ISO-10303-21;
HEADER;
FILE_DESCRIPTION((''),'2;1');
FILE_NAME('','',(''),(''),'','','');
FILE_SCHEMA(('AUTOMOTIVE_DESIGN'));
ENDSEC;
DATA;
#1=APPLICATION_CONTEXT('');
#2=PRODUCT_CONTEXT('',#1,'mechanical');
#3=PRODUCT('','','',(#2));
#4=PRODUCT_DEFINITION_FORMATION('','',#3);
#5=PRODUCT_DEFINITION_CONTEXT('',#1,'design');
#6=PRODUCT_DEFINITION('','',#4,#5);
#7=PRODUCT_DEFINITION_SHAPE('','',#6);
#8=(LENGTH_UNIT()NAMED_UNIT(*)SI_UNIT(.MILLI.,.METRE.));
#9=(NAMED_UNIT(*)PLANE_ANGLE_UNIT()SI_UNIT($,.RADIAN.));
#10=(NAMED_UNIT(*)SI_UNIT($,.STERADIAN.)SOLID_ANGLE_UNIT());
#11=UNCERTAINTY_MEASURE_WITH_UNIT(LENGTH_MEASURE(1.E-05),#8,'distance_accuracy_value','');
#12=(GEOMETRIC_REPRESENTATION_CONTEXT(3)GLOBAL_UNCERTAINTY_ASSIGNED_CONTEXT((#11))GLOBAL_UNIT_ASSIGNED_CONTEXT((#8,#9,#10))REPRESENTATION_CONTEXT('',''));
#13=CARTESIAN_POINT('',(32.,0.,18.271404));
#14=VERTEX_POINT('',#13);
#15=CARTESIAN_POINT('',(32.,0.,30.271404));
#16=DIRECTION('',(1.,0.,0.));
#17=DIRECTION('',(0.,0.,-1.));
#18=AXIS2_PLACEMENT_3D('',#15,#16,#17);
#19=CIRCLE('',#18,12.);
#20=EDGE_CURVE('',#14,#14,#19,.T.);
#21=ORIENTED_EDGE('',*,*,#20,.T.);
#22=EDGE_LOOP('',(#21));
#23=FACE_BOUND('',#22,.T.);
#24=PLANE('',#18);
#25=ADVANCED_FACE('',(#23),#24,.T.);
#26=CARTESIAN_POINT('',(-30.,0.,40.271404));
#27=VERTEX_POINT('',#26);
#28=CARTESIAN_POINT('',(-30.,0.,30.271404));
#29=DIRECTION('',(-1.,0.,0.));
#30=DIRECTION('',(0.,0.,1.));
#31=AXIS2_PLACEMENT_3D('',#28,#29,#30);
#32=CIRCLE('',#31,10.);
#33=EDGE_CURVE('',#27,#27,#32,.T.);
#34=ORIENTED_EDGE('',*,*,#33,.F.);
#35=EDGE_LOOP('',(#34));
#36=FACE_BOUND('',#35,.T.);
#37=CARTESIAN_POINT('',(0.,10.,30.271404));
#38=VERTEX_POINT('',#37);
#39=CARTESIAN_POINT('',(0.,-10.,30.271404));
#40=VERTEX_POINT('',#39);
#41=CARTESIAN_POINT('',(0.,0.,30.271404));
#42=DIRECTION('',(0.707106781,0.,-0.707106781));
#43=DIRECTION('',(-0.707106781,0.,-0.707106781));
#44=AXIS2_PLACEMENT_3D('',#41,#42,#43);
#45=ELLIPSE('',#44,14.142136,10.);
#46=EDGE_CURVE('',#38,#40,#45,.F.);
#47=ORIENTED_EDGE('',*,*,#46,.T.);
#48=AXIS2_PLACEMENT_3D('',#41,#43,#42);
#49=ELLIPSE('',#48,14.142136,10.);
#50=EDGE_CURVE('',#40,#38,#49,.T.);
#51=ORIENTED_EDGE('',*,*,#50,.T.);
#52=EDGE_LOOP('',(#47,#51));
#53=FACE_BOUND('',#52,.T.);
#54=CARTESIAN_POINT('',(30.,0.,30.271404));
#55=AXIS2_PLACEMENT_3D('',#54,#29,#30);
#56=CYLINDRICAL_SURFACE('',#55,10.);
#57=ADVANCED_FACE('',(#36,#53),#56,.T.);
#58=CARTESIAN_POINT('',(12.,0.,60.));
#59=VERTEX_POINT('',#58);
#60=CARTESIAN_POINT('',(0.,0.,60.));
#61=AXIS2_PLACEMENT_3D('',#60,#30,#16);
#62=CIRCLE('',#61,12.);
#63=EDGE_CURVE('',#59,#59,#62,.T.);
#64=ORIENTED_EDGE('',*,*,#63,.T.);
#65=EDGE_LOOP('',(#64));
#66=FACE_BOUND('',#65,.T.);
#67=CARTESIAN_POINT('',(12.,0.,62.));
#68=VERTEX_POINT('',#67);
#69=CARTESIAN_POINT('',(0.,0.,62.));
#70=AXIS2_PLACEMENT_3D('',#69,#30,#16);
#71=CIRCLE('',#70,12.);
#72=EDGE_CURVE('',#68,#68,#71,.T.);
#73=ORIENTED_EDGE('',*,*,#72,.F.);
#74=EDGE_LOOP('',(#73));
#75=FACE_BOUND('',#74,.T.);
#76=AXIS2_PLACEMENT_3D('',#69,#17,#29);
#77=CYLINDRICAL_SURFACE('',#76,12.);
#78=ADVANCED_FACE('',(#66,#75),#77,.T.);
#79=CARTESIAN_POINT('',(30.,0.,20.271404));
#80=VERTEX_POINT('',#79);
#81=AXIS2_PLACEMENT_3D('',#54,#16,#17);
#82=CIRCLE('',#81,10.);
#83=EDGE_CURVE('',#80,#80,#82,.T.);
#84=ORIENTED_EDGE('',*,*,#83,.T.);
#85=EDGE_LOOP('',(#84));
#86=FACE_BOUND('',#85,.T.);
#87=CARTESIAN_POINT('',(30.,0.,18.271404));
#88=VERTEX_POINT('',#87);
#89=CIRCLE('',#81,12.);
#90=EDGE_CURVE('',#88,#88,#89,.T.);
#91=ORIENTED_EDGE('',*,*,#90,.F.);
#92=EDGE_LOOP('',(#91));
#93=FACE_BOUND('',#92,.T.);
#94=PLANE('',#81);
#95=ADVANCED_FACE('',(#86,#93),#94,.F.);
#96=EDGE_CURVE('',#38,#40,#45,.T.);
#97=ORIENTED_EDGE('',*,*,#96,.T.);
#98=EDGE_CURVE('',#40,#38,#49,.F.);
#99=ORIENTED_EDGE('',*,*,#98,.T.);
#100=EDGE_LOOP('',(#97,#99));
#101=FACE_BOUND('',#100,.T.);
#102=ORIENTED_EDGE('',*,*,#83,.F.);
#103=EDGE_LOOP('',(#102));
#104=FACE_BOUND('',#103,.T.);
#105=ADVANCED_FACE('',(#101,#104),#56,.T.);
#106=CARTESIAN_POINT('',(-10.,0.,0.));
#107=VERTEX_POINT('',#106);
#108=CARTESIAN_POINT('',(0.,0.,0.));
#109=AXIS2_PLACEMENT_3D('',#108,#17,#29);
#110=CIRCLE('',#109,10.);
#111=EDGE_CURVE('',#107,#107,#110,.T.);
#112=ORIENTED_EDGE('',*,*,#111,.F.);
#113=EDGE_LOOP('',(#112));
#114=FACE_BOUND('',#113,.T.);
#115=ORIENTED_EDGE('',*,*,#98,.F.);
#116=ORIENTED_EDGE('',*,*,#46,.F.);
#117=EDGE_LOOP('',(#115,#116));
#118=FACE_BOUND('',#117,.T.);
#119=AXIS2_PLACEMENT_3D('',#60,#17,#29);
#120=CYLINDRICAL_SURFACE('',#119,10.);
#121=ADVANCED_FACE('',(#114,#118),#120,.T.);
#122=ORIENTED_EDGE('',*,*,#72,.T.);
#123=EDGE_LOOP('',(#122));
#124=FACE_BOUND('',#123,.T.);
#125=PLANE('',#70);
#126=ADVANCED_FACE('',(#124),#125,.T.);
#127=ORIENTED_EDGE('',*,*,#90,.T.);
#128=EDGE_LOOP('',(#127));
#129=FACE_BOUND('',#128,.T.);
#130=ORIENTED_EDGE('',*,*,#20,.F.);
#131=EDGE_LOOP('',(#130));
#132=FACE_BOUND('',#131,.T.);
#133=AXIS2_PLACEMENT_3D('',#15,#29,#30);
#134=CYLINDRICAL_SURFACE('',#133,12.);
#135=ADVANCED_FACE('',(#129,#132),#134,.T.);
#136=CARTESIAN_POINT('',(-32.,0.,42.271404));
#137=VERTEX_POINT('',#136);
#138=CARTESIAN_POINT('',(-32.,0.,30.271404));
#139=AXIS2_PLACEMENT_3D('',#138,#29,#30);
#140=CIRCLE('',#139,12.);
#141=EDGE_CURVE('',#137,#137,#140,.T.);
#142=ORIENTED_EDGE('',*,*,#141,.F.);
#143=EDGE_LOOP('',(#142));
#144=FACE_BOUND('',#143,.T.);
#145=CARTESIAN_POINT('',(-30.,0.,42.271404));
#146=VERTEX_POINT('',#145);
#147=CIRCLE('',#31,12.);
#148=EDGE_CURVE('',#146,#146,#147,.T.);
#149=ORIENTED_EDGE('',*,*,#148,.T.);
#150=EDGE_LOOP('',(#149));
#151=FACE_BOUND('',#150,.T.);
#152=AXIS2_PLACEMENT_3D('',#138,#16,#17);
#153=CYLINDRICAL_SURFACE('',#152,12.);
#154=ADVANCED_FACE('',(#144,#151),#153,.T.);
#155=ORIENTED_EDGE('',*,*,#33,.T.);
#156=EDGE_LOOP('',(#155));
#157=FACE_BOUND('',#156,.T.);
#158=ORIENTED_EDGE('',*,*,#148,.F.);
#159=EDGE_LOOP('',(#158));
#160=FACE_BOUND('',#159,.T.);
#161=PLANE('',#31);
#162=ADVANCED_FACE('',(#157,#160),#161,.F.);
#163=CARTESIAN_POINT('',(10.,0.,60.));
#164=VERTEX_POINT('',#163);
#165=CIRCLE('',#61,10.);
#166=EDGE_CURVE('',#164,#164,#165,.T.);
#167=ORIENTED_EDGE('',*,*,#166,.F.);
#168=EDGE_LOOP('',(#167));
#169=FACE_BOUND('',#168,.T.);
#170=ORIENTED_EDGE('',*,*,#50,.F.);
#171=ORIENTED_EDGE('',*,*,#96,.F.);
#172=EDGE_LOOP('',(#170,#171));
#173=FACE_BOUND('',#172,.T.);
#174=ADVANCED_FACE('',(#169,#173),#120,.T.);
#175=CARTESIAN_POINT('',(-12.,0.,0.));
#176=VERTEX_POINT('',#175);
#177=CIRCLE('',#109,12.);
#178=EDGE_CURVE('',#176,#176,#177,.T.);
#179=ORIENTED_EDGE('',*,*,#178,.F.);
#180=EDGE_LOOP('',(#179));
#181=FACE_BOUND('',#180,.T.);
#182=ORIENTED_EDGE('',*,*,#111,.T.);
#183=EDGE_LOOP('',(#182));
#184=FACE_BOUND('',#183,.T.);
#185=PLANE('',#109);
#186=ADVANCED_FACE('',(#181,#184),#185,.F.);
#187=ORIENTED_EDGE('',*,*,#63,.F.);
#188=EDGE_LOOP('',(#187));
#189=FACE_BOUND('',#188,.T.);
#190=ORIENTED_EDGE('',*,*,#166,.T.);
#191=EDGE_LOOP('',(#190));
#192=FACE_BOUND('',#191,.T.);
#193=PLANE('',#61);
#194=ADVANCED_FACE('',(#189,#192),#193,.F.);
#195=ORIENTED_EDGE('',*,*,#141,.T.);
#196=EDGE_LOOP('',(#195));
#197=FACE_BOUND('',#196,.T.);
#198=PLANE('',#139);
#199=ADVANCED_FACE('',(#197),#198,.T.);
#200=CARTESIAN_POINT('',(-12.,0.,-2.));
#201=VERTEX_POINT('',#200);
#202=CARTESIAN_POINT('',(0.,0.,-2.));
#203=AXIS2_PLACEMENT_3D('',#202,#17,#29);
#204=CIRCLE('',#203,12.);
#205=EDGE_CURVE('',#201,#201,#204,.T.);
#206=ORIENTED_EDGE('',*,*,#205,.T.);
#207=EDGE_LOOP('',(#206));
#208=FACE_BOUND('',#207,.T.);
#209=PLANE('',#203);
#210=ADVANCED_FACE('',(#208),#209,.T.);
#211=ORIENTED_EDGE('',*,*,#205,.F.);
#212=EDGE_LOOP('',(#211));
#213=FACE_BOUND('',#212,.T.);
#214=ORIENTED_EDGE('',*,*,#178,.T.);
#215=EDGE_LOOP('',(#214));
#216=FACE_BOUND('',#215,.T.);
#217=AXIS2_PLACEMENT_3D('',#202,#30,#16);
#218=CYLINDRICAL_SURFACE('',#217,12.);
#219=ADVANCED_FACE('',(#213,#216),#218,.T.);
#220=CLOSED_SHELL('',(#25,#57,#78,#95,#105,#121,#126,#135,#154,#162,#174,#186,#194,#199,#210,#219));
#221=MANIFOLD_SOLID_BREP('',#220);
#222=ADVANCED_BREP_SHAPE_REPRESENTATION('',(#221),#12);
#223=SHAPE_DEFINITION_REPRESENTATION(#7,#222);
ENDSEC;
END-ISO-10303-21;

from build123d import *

# Parameters (mm, degrees)
SKETCH1_R           = 10
BOSS_EXTRUDE1_DEPTH = 60
SKETCH2_R           = 12
BOSS_EXTRUDE2_DEPTH = 2
BOSS_EXTRUDE3_START = 2
SKETCH3_R           = 12
BOSS_EXTRUDE3_DEPTH = 2
SKETCH4_R           = 10
BOSS_EXTRUDE4_DEPTH = 30
SKETCH5_R           = 12
BOSS_EXTRUDE5_DEPTH = 2
BOSS_EXTRUDE6_START = 2
SKETCH6_R           = 12
BOSS_EXTRUDE6_DEPTH = 2


with BuildPart() as part:
    # Sketch1 → Boss-Extrude1 (new body)
    with BuildSketch(Plane.XY):
        Circle(SKETCH1_R)
    extrude(amount=BOSS_EXTRUDE1_DEPTH)

    # Sketch2 → Boss-Extrude2 (add)
    with BuildSketch(Plane.XY.offset(60)):
        Circle(SKETCH2_R)
    extrude(amount=BOSS_EXTRUDE2_DEPTH)

    # Sketch3 → Boss-Extrude3 (add)
    with BuildSketch(Plane(origin=(0, 0, 0), x_dir=(-1, 0, 0), z_dir=(0, 0, -1)).offset(BOSS_EXTRUDE3_START)):
        with Locations(Location((0, 0, 0), (0, 0, 180))):
            Circle(SKETCH3_R)
    extrude(amount=-BOSS_EXTRUDE3_DEPTH)

    # Sketch4 → Boss-Extrude4 (add, symmetric)
    with BuildSketch(Plane(origin=(0, 0, 0), x_dir=(0, 0, -1), z_dir=(1, 0, 0))):
        with Locations(Location((-30.27140407, 0, 0), (0, 0, 270))):
            Circle(SKETCH4_R)
    extrude(amount=BOSS_EXTRUDE4_DEPTH, both=True)

    # Sketch5 → Boss-Extrude5 (add)
    with BuildSketch(Plane(origin=(30, 0, 0), x_dir=(0, 0, -1), z_dir=(1, 0, 0))):
        with Locations((-30.27140407, 0)):
            Circle(SKETCH5_R)
    extrude(amount=BOSS_EXTRUDE5_DEPTH)

    # Sketch6 → Boss-Extrude6 (add)
    with BuildSketch(Plane.ZY.offset(30).offset(BOSS_EXTRUDE6_START)):
        with Locations(Location((30.27140407, 0, 0), (0, 0, 180))):
            Circle(SKETCH6_R)
    extrude(amount=-BOSS_EXTRUDE6_DEPTH)


solid = part.part
